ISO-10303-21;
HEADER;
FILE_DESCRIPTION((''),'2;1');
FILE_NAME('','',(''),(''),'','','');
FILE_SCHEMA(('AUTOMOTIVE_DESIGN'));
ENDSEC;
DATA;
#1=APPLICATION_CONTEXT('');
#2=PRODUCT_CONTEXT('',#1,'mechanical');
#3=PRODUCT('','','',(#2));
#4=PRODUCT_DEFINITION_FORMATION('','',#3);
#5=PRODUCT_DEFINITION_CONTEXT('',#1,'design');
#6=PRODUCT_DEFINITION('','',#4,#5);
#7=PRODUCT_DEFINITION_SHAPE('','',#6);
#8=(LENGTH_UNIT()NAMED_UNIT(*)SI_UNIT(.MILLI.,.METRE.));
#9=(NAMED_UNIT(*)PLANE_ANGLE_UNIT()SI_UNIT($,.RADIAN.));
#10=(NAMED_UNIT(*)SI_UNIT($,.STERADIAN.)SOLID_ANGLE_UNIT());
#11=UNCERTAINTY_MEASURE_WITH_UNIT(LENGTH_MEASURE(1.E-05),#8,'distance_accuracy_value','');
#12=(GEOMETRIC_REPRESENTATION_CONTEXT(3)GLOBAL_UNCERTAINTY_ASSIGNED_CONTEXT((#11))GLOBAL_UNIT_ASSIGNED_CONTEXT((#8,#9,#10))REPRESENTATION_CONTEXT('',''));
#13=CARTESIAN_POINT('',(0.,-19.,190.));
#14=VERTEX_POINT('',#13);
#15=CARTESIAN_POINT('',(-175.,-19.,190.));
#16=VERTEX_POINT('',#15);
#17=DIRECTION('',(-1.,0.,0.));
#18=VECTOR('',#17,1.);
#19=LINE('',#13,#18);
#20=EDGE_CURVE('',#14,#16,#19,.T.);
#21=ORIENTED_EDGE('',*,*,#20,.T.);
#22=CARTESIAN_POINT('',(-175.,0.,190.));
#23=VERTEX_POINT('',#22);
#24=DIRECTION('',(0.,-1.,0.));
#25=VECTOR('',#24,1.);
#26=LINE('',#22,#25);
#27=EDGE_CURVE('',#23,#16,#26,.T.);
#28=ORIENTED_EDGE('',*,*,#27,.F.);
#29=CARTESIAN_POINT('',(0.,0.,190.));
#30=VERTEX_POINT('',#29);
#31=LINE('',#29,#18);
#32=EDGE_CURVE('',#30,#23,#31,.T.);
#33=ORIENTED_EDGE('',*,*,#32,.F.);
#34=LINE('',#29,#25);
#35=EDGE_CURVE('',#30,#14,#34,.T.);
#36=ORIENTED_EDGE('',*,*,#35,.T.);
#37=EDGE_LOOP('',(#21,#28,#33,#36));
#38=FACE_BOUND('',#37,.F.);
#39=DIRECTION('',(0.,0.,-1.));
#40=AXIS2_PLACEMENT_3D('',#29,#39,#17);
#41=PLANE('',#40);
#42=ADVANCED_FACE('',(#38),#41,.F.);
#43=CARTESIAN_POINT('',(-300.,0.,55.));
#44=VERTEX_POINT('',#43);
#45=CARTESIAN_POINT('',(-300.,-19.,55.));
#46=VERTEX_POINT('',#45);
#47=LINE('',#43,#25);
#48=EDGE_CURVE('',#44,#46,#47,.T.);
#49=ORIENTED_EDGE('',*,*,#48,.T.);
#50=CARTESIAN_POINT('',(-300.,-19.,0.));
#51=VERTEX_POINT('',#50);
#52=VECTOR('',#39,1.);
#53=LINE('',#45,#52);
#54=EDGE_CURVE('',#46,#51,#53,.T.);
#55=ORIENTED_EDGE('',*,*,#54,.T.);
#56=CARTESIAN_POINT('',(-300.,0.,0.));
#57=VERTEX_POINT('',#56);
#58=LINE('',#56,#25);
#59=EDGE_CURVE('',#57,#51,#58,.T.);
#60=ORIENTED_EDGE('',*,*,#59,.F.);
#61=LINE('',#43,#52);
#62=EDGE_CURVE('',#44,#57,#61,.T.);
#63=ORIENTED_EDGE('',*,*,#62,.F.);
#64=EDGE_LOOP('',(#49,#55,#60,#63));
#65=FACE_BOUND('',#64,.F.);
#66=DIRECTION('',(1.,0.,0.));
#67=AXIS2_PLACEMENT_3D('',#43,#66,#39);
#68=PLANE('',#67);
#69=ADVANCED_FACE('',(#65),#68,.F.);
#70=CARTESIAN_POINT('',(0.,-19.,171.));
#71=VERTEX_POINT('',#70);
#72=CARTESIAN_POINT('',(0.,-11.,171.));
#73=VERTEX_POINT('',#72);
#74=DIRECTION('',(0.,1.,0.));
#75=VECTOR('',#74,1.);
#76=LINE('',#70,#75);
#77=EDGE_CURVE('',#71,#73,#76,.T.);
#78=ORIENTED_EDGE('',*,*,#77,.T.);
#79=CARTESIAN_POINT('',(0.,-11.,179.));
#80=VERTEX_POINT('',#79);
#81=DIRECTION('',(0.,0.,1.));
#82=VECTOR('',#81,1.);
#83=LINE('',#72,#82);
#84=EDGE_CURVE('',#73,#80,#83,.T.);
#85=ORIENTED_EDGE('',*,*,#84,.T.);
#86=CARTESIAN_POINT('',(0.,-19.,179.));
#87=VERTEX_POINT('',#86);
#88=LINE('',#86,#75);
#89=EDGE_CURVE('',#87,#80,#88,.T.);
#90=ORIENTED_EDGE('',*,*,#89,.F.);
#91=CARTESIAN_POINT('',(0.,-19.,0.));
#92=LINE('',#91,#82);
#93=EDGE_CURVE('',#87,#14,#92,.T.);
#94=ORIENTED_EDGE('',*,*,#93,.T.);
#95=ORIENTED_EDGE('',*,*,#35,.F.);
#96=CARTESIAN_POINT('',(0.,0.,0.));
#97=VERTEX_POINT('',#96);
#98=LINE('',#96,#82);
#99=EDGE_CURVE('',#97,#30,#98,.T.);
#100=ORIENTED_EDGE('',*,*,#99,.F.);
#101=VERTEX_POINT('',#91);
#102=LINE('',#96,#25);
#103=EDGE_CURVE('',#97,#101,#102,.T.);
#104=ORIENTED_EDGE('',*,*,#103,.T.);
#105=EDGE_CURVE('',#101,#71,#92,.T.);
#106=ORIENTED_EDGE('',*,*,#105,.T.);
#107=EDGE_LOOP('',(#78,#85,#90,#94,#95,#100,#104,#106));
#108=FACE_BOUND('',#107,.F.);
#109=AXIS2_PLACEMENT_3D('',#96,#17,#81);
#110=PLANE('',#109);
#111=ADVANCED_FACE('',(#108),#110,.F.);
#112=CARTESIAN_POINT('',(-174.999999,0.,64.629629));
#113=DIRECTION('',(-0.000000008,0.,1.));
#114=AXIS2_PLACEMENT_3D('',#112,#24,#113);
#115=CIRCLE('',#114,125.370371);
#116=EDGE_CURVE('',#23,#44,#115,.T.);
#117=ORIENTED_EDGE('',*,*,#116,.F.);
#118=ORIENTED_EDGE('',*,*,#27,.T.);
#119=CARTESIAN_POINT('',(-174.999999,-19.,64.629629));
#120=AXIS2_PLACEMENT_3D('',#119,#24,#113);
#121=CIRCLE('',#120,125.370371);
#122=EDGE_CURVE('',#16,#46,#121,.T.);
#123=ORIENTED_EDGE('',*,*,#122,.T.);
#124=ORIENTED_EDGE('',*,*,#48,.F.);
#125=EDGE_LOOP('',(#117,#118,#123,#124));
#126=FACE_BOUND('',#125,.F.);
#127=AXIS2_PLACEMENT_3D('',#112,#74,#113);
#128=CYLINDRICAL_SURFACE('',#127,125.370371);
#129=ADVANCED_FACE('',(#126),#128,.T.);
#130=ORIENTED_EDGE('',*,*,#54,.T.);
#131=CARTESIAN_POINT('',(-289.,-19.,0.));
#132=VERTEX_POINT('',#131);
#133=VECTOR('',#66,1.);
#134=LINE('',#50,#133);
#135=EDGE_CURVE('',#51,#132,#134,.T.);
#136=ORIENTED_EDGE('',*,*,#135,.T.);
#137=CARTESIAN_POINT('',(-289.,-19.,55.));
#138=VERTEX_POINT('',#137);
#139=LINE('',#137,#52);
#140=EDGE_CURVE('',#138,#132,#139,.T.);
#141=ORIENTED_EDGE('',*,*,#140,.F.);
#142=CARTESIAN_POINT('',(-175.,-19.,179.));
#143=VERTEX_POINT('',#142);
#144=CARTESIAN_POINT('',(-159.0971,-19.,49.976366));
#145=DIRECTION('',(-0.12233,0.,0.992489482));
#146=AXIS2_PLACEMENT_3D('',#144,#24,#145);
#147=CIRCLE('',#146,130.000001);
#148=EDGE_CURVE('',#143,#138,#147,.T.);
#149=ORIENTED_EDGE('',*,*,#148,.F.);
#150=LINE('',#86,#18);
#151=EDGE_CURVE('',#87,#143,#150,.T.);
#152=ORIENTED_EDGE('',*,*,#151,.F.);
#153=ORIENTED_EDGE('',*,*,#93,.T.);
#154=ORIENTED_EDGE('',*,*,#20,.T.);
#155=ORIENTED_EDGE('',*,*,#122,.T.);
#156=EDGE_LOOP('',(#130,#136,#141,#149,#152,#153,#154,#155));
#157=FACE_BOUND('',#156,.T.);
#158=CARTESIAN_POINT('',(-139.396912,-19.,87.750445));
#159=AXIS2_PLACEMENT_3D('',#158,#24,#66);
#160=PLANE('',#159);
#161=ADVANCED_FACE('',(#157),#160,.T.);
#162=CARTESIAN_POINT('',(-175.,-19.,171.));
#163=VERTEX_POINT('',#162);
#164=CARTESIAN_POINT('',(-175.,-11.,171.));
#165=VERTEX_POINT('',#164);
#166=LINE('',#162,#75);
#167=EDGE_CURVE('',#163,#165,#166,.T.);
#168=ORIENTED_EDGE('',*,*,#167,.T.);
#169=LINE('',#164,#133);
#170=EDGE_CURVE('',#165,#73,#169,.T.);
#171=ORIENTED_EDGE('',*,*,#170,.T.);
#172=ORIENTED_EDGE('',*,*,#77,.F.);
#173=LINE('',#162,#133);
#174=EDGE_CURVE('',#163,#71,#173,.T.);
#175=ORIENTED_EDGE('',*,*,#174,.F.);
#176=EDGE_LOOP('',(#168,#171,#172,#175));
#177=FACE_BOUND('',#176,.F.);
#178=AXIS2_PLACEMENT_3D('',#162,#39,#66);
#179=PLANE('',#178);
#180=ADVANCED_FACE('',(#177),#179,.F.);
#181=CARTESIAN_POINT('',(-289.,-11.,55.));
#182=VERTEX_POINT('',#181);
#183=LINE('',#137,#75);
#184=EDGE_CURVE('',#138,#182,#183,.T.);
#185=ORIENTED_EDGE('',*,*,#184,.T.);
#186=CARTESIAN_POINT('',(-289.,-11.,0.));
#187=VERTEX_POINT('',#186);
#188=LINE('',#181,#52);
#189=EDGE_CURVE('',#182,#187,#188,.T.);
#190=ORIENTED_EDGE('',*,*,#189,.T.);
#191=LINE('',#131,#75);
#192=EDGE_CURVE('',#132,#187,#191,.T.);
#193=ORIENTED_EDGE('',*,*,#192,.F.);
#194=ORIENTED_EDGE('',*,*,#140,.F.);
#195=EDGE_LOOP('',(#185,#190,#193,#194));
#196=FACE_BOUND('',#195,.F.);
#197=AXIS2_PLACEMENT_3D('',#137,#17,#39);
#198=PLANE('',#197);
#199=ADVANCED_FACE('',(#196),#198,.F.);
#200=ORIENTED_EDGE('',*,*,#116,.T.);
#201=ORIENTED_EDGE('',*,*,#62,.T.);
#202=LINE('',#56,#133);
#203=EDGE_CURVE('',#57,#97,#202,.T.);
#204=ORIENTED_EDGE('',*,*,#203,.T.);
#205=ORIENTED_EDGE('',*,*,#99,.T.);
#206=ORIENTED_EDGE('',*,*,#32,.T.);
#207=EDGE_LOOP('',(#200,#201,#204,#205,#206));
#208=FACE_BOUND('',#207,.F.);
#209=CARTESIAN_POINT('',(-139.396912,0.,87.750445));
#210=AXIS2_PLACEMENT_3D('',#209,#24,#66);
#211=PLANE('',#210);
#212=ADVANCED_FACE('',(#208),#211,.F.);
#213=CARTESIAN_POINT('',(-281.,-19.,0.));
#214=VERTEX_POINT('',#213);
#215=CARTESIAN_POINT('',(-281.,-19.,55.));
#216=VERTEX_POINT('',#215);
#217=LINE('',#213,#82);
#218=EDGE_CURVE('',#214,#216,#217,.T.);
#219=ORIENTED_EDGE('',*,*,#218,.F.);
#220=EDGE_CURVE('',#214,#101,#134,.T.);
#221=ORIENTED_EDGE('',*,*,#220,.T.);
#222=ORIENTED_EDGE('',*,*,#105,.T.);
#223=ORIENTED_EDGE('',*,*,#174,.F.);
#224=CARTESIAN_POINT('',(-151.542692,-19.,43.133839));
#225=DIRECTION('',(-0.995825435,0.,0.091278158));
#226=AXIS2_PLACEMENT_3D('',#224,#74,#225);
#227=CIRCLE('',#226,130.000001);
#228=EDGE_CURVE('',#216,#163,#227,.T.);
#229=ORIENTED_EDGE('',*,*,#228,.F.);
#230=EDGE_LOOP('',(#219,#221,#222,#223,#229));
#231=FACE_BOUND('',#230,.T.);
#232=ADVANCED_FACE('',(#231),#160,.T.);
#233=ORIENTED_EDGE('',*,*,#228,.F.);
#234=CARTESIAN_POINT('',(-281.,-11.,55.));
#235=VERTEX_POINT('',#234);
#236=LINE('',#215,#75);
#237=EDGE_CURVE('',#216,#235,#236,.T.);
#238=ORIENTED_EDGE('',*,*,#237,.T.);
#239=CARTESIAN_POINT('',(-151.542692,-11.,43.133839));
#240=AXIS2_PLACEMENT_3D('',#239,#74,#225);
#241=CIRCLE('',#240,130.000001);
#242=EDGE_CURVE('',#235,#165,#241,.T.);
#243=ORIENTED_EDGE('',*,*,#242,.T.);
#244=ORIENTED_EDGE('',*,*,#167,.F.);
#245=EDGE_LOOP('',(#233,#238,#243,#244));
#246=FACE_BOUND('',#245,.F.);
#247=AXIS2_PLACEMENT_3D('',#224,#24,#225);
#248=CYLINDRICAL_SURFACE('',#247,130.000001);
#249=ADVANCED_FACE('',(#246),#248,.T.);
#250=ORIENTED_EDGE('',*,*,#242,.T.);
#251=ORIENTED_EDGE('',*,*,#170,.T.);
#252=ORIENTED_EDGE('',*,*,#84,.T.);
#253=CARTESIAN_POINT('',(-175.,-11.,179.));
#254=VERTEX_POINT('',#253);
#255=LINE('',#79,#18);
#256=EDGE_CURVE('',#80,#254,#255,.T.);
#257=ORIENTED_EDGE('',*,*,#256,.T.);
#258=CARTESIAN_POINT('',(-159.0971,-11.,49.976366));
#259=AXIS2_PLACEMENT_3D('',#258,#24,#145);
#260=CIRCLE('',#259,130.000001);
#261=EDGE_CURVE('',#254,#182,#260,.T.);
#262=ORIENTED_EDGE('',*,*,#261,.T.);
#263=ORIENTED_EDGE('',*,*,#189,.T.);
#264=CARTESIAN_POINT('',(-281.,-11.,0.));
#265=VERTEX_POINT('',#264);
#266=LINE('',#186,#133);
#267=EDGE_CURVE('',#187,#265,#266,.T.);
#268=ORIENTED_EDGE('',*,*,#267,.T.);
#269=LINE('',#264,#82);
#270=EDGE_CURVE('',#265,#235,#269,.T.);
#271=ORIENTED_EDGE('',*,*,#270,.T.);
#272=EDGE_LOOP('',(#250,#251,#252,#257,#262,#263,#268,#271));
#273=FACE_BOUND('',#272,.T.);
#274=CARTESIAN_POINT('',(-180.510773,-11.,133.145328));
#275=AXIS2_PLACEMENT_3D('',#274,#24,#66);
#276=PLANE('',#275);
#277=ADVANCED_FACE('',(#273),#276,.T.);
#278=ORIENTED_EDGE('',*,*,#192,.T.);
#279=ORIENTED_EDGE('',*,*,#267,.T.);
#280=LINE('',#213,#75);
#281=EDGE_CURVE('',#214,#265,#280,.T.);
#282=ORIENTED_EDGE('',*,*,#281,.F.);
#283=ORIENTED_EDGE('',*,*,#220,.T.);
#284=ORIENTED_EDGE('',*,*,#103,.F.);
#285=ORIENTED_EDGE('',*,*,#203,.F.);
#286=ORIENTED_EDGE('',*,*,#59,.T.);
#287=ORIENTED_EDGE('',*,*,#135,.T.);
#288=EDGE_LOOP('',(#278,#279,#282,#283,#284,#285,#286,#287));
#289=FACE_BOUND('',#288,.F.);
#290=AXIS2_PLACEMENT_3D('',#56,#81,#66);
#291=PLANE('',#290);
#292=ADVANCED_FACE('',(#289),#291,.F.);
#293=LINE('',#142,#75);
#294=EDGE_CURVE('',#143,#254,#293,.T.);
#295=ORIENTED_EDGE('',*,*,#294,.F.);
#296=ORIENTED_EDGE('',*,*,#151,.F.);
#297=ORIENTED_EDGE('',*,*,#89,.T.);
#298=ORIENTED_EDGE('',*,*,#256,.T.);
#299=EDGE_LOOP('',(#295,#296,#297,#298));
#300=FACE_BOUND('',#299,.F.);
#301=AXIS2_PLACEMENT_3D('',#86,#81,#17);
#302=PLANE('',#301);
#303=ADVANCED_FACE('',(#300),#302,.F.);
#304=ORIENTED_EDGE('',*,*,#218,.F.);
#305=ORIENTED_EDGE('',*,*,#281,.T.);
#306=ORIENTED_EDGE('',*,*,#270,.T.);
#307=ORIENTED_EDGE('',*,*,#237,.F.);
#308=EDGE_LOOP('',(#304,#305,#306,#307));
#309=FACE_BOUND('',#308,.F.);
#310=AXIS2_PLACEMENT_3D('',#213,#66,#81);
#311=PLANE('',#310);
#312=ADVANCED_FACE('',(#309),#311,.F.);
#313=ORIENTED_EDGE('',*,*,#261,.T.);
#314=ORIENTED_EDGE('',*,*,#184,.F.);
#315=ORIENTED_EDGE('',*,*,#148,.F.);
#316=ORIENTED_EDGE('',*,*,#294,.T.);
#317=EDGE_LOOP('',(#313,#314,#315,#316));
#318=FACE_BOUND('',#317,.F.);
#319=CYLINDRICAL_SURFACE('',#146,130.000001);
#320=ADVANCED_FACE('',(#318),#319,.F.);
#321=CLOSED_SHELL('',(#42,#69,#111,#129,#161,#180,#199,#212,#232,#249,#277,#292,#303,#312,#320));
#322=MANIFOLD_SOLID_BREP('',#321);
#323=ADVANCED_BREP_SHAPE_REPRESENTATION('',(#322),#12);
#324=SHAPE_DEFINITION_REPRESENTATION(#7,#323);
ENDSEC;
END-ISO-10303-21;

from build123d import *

# Parameters (mm, degrees)
F1_DEPTH = 19
F3_DEPTH = 8


with BuildPart() as f1:
    # F0 (on Front) → F1 (new body)
    with BuildSketch(Plane.XZ):
        with BuildLine():
            ThreePointArc((-175, 190), (-266.991847, 149.807266), (-300, 55))
            Line((-300, 55), (-300, 0))
            Line((-300, 0), (0, 0))
            Line((0, 0), (0, 190))
            Line((0, 190), (-175, 190))
        make_face()
    extrude(amount=F1_DEPTH)

    # F2 (on face) → F3 (cut)
    with BuildSketch(Plane.XZ.offset(19)):
        with BuildLine():
            Line((0, 171), (0, 179))
            Line((0, 179), (-175, 179))
            ThreePointArc((-175, 179), (-254.798891, 137.960271), (-289, 55))
            Line((-289, 55), (-289, 0))
            Line((-289, 0), (-281, 0))
            Line((-281, 0), (-281, 55))
            ThreePointArc((-281, 55), (-247.509978, 130.828083), (-175, 171))
            Line((-175, 171), (0, 171))
        make_face()
    extrude(amount=-F3_DEPTH, mode=Mode.SUBTRACT)


solid = f1.part
